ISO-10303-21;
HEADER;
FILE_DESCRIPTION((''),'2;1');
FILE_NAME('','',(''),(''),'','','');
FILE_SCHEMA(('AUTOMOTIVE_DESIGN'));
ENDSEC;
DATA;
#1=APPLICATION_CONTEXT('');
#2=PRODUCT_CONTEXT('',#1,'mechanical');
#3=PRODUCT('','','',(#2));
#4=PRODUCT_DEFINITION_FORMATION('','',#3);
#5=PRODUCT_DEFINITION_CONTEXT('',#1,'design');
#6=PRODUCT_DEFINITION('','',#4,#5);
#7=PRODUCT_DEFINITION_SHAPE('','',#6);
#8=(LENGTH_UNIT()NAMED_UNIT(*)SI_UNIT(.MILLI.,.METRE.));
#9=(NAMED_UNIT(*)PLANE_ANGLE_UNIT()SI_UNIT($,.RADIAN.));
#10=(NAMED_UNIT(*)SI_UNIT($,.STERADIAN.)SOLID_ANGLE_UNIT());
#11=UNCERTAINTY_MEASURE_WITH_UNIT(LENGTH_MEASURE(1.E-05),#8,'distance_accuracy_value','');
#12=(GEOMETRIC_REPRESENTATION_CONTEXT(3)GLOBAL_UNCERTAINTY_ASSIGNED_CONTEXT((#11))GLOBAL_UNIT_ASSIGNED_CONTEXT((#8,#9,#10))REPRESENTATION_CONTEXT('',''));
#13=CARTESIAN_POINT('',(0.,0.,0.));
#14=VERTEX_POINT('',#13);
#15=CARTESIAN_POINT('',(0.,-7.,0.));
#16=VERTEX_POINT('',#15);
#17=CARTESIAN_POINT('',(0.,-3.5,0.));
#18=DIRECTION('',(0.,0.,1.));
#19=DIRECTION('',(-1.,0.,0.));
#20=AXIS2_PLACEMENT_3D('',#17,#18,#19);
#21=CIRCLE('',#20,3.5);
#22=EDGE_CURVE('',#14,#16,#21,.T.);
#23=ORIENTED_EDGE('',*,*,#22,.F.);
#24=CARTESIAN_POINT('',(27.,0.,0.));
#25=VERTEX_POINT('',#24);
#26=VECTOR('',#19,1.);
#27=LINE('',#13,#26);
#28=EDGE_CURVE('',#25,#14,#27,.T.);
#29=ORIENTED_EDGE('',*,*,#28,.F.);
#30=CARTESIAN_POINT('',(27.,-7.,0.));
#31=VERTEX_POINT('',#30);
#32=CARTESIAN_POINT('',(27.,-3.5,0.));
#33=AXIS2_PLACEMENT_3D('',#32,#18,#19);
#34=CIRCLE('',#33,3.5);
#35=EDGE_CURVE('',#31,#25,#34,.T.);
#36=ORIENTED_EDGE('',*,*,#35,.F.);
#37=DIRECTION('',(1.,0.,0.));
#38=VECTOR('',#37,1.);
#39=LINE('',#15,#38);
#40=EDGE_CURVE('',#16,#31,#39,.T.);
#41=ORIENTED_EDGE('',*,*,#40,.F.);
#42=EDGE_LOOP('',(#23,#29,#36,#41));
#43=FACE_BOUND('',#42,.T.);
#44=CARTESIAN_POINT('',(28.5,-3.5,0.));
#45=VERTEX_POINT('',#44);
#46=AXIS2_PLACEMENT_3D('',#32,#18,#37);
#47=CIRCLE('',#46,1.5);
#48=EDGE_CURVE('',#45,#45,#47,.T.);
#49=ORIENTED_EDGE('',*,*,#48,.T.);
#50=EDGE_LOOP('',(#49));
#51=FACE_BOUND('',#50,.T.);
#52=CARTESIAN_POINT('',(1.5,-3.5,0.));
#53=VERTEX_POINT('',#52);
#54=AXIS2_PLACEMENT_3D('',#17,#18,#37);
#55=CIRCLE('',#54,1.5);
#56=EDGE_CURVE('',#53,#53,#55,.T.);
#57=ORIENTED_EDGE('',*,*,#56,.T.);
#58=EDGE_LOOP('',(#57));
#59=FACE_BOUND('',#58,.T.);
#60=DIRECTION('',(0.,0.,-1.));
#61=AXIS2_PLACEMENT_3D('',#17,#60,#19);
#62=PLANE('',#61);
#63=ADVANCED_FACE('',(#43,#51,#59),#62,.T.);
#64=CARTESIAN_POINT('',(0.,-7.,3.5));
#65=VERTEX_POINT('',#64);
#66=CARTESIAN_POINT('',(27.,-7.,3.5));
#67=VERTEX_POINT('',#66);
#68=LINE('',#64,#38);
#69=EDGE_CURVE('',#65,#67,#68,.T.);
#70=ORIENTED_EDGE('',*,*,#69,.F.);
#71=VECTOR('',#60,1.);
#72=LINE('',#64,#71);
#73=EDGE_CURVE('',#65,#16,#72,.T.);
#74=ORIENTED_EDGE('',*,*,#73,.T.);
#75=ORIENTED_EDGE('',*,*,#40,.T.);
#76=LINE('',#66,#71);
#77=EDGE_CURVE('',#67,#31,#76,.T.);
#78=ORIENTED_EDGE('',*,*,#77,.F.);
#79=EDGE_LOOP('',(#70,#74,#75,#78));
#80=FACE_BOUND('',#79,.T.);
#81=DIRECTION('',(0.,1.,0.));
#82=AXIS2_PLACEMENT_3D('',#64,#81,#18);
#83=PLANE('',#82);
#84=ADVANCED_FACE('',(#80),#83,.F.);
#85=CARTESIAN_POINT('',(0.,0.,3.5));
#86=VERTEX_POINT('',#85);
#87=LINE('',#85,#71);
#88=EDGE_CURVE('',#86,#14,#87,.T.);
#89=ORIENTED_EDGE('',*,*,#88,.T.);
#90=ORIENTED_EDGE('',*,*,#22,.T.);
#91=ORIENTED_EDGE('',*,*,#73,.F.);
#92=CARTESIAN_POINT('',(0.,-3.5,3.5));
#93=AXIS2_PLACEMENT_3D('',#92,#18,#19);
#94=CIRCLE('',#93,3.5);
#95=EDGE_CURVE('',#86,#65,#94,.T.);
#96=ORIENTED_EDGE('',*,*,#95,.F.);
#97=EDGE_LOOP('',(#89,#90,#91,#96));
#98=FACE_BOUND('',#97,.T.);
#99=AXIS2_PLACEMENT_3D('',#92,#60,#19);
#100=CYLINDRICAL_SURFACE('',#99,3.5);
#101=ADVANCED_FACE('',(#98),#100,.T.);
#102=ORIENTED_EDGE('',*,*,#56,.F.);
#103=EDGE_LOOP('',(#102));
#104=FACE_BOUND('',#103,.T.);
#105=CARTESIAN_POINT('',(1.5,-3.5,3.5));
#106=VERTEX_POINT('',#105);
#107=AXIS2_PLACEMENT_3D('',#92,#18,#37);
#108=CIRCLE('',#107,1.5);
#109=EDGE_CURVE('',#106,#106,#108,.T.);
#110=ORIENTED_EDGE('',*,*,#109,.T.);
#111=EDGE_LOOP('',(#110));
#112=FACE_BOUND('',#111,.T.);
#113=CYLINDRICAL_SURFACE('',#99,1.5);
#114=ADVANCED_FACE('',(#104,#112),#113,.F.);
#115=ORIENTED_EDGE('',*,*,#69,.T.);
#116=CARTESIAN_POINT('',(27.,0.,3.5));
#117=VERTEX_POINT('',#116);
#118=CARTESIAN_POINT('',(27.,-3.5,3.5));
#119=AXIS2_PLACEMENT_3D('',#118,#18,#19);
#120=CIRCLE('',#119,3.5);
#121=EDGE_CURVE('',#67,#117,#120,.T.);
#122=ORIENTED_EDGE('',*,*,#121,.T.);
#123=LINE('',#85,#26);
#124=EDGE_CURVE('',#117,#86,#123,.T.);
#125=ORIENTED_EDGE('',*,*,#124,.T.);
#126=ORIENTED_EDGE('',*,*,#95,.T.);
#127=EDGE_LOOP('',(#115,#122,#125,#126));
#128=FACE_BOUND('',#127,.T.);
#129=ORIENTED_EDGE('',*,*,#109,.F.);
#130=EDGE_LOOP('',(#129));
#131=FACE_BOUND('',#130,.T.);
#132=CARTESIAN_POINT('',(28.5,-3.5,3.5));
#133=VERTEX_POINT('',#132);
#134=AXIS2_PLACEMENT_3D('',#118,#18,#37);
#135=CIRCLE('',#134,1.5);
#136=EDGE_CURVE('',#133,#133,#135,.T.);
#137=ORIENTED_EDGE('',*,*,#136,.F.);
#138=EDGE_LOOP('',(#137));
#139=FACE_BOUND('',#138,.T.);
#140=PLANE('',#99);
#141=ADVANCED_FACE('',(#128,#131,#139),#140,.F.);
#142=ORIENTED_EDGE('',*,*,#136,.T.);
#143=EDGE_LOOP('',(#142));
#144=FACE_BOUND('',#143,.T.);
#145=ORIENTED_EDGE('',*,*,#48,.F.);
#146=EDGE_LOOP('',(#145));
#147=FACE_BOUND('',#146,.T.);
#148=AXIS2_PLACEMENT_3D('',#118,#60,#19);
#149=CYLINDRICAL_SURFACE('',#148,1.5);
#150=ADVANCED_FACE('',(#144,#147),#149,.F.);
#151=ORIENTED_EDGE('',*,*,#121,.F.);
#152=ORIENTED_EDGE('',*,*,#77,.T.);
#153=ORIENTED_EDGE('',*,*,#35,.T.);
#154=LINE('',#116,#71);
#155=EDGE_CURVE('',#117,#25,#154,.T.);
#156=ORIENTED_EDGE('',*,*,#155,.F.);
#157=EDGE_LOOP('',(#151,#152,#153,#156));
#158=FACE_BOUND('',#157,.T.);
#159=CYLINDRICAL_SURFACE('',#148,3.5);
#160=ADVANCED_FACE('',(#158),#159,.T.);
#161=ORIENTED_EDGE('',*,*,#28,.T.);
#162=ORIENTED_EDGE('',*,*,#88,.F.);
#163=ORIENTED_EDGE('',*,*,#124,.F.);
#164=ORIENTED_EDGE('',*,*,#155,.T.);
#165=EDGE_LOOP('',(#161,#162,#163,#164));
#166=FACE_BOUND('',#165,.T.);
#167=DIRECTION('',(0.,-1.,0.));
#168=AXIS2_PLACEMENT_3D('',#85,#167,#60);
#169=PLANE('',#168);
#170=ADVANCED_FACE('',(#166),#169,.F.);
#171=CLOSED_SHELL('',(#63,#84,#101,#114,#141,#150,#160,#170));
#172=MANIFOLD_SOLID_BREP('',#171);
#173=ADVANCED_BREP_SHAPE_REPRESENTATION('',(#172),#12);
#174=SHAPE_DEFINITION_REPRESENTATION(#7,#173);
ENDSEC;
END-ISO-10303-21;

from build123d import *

# Parameters (mm, degrees)
SKETCH1_R           = 1.5
BOSS_EXTRUDE1_DEPTH = 3.5


with BuildPart() as part:
    # Sketch1 → Boss-Extrude1 (new body)
    with BuildSketch(Plane.XY):
        with BuildLine():
            Line((0, 0), (27, 0))
            ThreePointArc((27, 0), (30.5, -3.5), (27, -7))
            Line((27, -7), (0, -7))
            ThreePointArc((0, -7), (-3.5, -3.5), (0, 0))
        make_face()
        with Locations((0, -3.5)):
            Circle(SKETCH1_R, mode=Mode.SUBTRACT)
        with Locations((27, -3.5)):
            Circle(SKETCH1_R, mode=Mode.SUBTRACT)
    extrude(amount=BOSS_EXTRUDE1_DEPTH)


solid = part.part
